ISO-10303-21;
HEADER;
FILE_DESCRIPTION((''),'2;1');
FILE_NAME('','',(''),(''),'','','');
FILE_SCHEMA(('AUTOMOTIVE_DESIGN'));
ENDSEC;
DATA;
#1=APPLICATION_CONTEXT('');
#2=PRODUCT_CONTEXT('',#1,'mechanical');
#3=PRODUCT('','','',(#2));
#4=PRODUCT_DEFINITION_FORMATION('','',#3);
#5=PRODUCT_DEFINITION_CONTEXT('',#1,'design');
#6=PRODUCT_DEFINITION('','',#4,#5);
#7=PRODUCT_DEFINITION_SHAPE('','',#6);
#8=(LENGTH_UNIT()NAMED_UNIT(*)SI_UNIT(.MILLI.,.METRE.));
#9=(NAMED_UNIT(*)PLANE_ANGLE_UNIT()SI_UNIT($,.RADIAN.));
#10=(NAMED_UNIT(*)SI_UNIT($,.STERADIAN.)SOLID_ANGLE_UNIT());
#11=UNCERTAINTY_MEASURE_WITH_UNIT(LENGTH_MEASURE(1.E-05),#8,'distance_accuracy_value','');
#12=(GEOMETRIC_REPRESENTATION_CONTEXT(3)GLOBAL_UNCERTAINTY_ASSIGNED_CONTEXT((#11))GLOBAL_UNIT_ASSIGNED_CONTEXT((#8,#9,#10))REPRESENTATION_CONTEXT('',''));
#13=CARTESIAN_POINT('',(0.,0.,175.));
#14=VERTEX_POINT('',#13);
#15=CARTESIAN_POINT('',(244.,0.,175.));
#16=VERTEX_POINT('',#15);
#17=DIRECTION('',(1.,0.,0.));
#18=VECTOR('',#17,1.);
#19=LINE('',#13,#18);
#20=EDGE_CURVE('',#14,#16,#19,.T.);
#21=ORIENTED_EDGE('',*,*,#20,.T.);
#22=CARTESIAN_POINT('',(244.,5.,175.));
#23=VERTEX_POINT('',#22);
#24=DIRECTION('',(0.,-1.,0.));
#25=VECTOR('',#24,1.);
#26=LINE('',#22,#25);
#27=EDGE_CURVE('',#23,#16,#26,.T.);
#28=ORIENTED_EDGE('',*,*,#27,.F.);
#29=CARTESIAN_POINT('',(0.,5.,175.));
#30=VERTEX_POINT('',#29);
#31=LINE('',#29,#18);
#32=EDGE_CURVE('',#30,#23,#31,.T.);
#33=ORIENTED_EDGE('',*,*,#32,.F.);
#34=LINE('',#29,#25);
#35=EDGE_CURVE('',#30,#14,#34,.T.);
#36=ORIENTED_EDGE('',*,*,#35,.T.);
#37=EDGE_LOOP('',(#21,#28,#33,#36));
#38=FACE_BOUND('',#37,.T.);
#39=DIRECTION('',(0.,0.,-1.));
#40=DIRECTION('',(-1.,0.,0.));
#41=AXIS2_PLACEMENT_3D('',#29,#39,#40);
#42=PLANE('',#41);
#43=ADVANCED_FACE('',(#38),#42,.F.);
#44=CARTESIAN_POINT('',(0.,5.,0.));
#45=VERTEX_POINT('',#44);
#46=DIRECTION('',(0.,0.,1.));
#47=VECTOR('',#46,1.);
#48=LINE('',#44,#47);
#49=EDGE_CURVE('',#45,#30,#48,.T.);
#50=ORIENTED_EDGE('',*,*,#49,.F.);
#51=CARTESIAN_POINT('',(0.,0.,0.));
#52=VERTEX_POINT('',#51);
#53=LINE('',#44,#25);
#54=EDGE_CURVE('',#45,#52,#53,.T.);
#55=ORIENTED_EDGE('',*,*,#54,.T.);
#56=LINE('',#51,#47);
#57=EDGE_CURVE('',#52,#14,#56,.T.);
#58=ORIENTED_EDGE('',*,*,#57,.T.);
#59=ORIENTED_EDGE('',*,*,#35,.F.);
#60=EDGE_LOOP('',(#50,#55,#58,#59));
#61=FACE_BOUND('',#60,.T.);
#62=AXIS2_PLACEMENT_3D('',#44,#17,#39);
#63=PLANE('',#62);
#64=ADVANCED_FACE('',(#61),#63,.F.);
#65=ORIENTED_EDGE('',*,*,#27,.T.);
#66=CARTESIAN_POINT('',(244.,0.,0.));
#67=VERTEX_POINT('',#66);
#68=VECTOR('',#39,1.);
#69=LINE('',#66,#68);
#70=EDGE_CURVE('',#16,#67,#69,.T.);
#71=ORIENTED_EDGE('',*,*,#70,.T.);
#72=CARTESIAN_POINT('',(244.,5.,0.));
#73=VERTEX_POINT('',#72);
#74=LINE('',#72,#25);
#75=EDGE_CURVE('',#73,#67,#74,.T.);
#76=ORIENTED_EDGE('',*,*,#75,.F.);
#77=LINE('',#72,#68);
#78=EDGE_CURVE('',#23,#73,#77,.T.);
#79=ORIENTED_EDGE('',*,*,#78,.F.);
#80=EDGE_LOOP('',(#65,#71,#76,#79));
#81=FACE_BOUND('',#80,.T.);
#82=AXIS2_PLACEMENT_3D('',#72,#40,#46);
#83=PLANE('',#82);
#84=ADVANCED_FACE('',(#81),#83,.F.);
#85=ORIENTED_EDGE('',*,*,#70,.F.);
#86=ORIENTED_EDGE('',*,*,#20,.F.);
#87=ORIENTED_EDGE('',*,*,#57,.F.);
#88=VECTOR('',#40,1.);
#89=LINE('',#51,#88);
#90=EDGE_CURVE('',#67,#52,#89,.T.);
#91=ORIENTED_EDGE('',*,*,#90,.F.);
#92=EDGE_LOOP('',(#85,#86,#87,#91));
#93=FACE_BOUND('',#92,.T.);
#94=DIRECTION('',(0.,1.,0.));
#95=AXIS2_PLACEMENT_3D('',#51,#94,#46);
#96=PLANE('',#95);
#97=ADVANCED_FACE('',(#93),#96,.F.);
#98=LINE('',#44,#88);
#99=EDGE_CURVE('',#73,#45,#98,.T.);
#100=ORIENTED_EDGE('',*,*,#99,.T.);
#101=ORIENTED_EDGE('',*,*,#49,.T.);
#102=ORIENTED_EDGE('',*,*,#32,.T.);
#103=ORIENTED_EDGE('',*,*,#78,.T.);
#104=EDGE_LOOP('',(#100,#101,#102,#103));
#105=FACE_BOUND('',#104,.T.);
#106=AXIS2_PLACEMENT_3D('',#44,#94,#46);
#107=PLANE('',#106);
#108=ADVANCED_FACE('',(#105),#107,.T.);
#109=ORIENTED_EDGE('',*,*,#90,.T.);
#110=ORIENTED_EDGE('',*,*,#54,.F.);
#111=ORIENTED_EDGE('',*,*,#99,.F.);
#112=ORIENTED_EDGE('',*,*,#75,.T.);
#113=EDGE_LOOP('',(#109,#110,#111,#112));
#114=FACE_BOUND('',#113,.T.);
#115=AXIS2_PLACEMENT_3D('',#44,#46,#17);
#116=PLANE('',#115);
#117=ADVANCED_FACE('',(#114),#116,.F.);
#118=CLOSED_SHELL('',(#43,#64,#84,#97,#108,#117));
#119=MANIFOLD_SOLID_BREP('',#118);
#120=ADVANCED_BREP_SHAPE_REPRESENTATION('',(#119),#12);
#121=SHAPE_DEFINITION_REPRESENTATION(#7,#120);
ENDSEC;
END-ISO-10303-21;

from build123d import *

# Parameters (mm, degrees)
SKETCH_1_W      = 244
SKETCH_1_H      = 175
EXTRUDE_1_DEPTH = 5


with BuildPart() as part:
    # 草图1 → 凸台-拉伸1 (new body)
    with BuildSketch(Plane(origin=(0, 0, 0), x_dir=(1, 0, 0), z_dir=(0, 1, 0))):
        with Locations((122, -87.5)):
            Rectangle(SKETCH_1_W, SKETCH_1_H)
    extrude(amount=EXTRUDE_1_DEPTH)


solid = part.part
